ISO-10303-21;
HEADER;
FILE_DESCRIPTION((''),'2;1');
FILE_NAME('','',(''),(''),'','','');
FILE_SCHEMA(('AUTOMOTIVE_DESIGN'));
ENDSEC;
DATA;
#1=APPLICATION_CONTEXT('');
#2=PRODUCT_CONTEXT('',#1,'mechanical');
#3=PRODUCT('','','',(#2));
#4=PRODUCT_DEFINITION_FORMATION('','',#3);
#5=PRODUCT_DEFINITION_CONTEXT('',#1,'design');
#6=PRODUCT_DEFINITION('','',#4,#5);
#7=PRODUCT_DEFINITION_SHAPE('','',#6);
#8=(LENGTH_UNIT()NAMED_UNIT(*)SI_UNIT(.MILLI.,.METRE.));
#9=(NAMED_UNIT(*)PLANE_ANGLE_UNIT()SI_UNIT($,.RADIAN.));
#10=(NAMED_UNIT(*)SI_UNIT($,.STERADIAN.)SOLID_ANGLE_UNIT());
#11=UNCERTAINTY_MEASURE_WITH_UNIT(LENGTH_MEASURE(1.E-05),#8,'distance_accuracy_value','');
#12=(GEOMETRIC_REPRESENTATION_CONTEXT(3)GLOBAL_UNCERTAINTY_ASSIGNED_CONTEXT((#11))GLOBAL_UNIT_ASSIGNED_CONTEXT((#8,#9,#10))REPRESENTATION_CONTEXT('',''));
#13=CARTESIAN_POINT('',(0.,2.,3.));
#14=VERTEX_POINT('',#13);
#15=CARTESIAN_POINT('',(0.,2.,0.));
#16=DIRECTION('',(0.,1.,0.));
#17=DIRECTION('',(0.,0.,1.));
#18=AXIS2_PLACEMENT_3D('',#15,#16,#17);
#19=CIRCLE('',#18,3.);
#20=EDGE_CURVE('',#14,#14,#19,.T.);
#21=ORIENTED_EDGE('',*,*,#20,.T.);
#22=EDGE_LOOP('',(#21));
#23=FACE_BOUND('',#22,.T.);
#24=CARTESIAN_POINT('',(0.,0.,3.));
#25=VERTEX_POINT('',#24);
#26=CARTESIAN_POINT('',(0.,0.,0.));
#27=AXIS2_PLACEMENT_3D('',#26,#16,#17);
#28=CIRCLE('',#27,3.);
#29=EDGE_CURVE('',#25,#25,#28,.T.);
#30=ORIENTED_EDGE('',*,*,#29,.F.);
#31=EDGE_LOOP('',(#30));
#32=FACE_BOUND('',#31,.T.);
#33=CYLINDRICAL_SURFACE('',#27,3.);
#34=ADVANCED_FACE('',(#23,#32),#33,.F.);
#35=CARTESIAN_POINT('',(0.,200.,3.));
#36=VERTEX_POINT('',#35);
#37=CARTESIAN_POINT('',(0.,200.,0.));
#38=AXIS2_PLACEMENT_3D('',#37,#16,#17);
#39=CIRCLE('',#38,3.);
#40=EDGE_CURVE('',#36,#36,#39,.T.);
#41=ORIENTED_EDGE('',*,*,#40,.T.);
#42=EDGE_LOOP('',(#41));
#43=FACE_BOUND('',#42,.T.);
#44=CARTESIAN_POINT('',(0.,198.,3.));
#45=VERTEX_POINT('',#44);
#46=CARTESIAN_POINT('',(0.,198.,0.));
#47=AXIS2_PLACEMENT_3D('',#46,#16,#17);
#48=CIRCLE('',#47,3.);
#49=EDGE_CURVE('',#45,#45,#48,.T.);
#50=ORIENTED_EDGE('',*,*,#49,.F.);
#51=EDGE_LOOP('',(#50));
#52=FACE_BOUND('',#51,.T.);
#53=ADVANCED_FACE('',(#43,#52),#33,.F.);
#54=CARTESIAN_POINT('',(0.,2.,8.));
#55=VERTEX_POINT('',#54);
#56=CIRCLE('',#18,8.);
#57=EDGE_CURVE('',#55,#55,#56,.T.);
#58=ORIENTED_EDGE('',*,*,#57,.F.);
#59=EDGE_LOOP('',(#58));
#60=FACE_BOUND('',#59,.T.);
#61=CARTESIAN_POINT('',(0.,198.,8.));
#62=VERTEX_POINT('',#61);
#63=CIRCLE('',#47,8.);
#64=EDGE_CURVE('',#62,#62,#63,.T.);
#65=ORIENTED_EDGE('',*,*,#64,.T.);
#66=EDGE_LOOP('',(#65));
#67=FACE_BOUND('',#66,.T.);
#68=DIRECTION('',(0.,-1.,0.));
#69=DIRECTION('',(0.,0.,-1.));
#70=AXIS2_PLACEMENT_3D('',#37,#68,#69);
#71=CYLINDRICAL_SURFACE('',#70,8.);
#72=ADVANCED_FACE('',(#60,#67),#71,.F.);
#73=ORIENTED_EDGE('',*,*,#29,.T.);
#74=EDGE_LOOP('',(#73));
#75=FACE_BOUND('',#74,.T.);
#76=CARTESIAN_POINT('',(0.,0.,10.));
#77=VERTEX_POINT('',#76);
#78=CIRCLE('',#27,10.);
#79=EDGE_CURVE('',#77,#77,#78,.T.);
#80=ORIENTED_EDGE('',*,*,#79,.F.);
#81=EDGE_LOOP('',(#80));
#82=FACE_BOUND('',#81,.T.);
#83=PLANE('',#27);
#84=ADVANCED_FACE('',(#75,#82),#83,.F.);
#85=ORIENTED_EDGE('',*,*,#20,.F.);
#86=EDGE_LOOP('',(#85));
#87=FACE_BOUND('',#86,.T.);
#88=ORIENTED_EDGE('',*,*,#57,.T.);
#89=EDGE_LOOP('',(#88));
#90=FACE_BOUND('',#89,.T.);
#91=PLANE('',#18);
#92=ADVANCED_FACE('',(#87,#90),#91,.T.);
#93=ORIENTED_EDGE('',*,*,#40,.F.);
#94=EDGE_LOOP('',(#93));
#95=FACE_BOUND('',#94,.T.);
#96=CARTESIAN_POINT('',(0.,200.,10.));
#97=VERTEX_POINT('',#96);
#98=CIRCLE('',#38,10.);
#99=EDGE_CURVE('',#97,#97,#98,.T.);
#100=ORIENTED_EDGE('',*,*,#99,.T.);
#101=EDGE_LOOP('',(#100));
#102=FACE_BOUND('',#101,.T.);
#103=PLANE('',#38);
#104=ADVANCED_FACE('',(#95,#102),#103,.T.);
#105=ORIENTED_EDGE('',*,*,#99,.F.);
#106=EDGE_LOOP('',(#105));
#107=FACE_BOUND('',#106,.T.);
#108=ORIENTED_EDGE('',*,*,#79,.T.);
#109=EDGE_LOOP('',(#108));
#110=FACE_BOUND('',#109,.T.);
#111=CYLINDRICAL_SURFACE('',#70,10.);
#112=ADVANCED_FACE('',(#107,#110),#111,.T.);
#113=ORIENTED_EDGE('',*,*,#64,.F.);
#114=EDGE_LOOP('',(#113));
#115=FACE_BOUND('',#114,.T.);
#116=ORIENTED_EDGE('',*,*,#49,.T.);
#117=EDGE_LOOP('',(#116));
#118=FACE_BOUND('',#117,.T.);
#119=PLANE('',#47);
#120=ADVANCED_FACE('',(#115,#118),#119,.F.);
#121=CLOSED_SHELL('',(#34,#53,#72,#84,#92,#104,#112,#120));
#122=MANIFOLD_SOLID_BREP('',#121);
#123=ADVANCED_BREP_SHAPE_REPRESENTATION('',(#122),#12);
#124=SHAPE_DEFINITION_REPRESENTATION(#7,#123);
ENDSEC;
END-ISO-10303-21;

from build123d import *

# Parameters (mm, degrees)
SKETCH1_R               = 10
BOSS_EXTRUDE1_DEPTH     = 200
SHELL1_T                = 2
SKETCH2_R               = 3
CUT_EXTRUDE1_DEPTH      = 1
CUT_EXTRUDE1_DEPTH_BACK = 201


with BuildPart() as part:
    # Sketch1 → Boss-Extrude1 (new body)
    with BuildSketch(Plane(origin=(0, 0, 0), x_dir=(1, 0, 0), z_dir=(0, 1, 0))):
        Circle(SKETCH1_R)
    extrude(amount=BOSS_EXTRUDE1_DEPTH)

    # Shell1 (no face opened: a closed hollow body)
    add(offset(amount=-SHELL1_T, mode=Mode.PRIVATE), mode=Mode.SUBTRACT)

    # Sketch2 → Cut-Extrude1 (cut, two sides)
    with BuildSketch(Plane(origin=(0, 200, 0), x_dir=(1, 0, 0), z_dir=(0, 1, 0))) as cut_extrude1_sk:
        Circle(SKETCH2_R)
    extrude(amount=CUT_EXTRUDE1_DEPTH, mode=Mode.SUBTRACT)
    extrude(cut_extrude1_sk.sketch, amount=-CUT_EXTRUDE1_DEPTH_BACK, mode=Mode.SUBTRACT)


solid = part.part
